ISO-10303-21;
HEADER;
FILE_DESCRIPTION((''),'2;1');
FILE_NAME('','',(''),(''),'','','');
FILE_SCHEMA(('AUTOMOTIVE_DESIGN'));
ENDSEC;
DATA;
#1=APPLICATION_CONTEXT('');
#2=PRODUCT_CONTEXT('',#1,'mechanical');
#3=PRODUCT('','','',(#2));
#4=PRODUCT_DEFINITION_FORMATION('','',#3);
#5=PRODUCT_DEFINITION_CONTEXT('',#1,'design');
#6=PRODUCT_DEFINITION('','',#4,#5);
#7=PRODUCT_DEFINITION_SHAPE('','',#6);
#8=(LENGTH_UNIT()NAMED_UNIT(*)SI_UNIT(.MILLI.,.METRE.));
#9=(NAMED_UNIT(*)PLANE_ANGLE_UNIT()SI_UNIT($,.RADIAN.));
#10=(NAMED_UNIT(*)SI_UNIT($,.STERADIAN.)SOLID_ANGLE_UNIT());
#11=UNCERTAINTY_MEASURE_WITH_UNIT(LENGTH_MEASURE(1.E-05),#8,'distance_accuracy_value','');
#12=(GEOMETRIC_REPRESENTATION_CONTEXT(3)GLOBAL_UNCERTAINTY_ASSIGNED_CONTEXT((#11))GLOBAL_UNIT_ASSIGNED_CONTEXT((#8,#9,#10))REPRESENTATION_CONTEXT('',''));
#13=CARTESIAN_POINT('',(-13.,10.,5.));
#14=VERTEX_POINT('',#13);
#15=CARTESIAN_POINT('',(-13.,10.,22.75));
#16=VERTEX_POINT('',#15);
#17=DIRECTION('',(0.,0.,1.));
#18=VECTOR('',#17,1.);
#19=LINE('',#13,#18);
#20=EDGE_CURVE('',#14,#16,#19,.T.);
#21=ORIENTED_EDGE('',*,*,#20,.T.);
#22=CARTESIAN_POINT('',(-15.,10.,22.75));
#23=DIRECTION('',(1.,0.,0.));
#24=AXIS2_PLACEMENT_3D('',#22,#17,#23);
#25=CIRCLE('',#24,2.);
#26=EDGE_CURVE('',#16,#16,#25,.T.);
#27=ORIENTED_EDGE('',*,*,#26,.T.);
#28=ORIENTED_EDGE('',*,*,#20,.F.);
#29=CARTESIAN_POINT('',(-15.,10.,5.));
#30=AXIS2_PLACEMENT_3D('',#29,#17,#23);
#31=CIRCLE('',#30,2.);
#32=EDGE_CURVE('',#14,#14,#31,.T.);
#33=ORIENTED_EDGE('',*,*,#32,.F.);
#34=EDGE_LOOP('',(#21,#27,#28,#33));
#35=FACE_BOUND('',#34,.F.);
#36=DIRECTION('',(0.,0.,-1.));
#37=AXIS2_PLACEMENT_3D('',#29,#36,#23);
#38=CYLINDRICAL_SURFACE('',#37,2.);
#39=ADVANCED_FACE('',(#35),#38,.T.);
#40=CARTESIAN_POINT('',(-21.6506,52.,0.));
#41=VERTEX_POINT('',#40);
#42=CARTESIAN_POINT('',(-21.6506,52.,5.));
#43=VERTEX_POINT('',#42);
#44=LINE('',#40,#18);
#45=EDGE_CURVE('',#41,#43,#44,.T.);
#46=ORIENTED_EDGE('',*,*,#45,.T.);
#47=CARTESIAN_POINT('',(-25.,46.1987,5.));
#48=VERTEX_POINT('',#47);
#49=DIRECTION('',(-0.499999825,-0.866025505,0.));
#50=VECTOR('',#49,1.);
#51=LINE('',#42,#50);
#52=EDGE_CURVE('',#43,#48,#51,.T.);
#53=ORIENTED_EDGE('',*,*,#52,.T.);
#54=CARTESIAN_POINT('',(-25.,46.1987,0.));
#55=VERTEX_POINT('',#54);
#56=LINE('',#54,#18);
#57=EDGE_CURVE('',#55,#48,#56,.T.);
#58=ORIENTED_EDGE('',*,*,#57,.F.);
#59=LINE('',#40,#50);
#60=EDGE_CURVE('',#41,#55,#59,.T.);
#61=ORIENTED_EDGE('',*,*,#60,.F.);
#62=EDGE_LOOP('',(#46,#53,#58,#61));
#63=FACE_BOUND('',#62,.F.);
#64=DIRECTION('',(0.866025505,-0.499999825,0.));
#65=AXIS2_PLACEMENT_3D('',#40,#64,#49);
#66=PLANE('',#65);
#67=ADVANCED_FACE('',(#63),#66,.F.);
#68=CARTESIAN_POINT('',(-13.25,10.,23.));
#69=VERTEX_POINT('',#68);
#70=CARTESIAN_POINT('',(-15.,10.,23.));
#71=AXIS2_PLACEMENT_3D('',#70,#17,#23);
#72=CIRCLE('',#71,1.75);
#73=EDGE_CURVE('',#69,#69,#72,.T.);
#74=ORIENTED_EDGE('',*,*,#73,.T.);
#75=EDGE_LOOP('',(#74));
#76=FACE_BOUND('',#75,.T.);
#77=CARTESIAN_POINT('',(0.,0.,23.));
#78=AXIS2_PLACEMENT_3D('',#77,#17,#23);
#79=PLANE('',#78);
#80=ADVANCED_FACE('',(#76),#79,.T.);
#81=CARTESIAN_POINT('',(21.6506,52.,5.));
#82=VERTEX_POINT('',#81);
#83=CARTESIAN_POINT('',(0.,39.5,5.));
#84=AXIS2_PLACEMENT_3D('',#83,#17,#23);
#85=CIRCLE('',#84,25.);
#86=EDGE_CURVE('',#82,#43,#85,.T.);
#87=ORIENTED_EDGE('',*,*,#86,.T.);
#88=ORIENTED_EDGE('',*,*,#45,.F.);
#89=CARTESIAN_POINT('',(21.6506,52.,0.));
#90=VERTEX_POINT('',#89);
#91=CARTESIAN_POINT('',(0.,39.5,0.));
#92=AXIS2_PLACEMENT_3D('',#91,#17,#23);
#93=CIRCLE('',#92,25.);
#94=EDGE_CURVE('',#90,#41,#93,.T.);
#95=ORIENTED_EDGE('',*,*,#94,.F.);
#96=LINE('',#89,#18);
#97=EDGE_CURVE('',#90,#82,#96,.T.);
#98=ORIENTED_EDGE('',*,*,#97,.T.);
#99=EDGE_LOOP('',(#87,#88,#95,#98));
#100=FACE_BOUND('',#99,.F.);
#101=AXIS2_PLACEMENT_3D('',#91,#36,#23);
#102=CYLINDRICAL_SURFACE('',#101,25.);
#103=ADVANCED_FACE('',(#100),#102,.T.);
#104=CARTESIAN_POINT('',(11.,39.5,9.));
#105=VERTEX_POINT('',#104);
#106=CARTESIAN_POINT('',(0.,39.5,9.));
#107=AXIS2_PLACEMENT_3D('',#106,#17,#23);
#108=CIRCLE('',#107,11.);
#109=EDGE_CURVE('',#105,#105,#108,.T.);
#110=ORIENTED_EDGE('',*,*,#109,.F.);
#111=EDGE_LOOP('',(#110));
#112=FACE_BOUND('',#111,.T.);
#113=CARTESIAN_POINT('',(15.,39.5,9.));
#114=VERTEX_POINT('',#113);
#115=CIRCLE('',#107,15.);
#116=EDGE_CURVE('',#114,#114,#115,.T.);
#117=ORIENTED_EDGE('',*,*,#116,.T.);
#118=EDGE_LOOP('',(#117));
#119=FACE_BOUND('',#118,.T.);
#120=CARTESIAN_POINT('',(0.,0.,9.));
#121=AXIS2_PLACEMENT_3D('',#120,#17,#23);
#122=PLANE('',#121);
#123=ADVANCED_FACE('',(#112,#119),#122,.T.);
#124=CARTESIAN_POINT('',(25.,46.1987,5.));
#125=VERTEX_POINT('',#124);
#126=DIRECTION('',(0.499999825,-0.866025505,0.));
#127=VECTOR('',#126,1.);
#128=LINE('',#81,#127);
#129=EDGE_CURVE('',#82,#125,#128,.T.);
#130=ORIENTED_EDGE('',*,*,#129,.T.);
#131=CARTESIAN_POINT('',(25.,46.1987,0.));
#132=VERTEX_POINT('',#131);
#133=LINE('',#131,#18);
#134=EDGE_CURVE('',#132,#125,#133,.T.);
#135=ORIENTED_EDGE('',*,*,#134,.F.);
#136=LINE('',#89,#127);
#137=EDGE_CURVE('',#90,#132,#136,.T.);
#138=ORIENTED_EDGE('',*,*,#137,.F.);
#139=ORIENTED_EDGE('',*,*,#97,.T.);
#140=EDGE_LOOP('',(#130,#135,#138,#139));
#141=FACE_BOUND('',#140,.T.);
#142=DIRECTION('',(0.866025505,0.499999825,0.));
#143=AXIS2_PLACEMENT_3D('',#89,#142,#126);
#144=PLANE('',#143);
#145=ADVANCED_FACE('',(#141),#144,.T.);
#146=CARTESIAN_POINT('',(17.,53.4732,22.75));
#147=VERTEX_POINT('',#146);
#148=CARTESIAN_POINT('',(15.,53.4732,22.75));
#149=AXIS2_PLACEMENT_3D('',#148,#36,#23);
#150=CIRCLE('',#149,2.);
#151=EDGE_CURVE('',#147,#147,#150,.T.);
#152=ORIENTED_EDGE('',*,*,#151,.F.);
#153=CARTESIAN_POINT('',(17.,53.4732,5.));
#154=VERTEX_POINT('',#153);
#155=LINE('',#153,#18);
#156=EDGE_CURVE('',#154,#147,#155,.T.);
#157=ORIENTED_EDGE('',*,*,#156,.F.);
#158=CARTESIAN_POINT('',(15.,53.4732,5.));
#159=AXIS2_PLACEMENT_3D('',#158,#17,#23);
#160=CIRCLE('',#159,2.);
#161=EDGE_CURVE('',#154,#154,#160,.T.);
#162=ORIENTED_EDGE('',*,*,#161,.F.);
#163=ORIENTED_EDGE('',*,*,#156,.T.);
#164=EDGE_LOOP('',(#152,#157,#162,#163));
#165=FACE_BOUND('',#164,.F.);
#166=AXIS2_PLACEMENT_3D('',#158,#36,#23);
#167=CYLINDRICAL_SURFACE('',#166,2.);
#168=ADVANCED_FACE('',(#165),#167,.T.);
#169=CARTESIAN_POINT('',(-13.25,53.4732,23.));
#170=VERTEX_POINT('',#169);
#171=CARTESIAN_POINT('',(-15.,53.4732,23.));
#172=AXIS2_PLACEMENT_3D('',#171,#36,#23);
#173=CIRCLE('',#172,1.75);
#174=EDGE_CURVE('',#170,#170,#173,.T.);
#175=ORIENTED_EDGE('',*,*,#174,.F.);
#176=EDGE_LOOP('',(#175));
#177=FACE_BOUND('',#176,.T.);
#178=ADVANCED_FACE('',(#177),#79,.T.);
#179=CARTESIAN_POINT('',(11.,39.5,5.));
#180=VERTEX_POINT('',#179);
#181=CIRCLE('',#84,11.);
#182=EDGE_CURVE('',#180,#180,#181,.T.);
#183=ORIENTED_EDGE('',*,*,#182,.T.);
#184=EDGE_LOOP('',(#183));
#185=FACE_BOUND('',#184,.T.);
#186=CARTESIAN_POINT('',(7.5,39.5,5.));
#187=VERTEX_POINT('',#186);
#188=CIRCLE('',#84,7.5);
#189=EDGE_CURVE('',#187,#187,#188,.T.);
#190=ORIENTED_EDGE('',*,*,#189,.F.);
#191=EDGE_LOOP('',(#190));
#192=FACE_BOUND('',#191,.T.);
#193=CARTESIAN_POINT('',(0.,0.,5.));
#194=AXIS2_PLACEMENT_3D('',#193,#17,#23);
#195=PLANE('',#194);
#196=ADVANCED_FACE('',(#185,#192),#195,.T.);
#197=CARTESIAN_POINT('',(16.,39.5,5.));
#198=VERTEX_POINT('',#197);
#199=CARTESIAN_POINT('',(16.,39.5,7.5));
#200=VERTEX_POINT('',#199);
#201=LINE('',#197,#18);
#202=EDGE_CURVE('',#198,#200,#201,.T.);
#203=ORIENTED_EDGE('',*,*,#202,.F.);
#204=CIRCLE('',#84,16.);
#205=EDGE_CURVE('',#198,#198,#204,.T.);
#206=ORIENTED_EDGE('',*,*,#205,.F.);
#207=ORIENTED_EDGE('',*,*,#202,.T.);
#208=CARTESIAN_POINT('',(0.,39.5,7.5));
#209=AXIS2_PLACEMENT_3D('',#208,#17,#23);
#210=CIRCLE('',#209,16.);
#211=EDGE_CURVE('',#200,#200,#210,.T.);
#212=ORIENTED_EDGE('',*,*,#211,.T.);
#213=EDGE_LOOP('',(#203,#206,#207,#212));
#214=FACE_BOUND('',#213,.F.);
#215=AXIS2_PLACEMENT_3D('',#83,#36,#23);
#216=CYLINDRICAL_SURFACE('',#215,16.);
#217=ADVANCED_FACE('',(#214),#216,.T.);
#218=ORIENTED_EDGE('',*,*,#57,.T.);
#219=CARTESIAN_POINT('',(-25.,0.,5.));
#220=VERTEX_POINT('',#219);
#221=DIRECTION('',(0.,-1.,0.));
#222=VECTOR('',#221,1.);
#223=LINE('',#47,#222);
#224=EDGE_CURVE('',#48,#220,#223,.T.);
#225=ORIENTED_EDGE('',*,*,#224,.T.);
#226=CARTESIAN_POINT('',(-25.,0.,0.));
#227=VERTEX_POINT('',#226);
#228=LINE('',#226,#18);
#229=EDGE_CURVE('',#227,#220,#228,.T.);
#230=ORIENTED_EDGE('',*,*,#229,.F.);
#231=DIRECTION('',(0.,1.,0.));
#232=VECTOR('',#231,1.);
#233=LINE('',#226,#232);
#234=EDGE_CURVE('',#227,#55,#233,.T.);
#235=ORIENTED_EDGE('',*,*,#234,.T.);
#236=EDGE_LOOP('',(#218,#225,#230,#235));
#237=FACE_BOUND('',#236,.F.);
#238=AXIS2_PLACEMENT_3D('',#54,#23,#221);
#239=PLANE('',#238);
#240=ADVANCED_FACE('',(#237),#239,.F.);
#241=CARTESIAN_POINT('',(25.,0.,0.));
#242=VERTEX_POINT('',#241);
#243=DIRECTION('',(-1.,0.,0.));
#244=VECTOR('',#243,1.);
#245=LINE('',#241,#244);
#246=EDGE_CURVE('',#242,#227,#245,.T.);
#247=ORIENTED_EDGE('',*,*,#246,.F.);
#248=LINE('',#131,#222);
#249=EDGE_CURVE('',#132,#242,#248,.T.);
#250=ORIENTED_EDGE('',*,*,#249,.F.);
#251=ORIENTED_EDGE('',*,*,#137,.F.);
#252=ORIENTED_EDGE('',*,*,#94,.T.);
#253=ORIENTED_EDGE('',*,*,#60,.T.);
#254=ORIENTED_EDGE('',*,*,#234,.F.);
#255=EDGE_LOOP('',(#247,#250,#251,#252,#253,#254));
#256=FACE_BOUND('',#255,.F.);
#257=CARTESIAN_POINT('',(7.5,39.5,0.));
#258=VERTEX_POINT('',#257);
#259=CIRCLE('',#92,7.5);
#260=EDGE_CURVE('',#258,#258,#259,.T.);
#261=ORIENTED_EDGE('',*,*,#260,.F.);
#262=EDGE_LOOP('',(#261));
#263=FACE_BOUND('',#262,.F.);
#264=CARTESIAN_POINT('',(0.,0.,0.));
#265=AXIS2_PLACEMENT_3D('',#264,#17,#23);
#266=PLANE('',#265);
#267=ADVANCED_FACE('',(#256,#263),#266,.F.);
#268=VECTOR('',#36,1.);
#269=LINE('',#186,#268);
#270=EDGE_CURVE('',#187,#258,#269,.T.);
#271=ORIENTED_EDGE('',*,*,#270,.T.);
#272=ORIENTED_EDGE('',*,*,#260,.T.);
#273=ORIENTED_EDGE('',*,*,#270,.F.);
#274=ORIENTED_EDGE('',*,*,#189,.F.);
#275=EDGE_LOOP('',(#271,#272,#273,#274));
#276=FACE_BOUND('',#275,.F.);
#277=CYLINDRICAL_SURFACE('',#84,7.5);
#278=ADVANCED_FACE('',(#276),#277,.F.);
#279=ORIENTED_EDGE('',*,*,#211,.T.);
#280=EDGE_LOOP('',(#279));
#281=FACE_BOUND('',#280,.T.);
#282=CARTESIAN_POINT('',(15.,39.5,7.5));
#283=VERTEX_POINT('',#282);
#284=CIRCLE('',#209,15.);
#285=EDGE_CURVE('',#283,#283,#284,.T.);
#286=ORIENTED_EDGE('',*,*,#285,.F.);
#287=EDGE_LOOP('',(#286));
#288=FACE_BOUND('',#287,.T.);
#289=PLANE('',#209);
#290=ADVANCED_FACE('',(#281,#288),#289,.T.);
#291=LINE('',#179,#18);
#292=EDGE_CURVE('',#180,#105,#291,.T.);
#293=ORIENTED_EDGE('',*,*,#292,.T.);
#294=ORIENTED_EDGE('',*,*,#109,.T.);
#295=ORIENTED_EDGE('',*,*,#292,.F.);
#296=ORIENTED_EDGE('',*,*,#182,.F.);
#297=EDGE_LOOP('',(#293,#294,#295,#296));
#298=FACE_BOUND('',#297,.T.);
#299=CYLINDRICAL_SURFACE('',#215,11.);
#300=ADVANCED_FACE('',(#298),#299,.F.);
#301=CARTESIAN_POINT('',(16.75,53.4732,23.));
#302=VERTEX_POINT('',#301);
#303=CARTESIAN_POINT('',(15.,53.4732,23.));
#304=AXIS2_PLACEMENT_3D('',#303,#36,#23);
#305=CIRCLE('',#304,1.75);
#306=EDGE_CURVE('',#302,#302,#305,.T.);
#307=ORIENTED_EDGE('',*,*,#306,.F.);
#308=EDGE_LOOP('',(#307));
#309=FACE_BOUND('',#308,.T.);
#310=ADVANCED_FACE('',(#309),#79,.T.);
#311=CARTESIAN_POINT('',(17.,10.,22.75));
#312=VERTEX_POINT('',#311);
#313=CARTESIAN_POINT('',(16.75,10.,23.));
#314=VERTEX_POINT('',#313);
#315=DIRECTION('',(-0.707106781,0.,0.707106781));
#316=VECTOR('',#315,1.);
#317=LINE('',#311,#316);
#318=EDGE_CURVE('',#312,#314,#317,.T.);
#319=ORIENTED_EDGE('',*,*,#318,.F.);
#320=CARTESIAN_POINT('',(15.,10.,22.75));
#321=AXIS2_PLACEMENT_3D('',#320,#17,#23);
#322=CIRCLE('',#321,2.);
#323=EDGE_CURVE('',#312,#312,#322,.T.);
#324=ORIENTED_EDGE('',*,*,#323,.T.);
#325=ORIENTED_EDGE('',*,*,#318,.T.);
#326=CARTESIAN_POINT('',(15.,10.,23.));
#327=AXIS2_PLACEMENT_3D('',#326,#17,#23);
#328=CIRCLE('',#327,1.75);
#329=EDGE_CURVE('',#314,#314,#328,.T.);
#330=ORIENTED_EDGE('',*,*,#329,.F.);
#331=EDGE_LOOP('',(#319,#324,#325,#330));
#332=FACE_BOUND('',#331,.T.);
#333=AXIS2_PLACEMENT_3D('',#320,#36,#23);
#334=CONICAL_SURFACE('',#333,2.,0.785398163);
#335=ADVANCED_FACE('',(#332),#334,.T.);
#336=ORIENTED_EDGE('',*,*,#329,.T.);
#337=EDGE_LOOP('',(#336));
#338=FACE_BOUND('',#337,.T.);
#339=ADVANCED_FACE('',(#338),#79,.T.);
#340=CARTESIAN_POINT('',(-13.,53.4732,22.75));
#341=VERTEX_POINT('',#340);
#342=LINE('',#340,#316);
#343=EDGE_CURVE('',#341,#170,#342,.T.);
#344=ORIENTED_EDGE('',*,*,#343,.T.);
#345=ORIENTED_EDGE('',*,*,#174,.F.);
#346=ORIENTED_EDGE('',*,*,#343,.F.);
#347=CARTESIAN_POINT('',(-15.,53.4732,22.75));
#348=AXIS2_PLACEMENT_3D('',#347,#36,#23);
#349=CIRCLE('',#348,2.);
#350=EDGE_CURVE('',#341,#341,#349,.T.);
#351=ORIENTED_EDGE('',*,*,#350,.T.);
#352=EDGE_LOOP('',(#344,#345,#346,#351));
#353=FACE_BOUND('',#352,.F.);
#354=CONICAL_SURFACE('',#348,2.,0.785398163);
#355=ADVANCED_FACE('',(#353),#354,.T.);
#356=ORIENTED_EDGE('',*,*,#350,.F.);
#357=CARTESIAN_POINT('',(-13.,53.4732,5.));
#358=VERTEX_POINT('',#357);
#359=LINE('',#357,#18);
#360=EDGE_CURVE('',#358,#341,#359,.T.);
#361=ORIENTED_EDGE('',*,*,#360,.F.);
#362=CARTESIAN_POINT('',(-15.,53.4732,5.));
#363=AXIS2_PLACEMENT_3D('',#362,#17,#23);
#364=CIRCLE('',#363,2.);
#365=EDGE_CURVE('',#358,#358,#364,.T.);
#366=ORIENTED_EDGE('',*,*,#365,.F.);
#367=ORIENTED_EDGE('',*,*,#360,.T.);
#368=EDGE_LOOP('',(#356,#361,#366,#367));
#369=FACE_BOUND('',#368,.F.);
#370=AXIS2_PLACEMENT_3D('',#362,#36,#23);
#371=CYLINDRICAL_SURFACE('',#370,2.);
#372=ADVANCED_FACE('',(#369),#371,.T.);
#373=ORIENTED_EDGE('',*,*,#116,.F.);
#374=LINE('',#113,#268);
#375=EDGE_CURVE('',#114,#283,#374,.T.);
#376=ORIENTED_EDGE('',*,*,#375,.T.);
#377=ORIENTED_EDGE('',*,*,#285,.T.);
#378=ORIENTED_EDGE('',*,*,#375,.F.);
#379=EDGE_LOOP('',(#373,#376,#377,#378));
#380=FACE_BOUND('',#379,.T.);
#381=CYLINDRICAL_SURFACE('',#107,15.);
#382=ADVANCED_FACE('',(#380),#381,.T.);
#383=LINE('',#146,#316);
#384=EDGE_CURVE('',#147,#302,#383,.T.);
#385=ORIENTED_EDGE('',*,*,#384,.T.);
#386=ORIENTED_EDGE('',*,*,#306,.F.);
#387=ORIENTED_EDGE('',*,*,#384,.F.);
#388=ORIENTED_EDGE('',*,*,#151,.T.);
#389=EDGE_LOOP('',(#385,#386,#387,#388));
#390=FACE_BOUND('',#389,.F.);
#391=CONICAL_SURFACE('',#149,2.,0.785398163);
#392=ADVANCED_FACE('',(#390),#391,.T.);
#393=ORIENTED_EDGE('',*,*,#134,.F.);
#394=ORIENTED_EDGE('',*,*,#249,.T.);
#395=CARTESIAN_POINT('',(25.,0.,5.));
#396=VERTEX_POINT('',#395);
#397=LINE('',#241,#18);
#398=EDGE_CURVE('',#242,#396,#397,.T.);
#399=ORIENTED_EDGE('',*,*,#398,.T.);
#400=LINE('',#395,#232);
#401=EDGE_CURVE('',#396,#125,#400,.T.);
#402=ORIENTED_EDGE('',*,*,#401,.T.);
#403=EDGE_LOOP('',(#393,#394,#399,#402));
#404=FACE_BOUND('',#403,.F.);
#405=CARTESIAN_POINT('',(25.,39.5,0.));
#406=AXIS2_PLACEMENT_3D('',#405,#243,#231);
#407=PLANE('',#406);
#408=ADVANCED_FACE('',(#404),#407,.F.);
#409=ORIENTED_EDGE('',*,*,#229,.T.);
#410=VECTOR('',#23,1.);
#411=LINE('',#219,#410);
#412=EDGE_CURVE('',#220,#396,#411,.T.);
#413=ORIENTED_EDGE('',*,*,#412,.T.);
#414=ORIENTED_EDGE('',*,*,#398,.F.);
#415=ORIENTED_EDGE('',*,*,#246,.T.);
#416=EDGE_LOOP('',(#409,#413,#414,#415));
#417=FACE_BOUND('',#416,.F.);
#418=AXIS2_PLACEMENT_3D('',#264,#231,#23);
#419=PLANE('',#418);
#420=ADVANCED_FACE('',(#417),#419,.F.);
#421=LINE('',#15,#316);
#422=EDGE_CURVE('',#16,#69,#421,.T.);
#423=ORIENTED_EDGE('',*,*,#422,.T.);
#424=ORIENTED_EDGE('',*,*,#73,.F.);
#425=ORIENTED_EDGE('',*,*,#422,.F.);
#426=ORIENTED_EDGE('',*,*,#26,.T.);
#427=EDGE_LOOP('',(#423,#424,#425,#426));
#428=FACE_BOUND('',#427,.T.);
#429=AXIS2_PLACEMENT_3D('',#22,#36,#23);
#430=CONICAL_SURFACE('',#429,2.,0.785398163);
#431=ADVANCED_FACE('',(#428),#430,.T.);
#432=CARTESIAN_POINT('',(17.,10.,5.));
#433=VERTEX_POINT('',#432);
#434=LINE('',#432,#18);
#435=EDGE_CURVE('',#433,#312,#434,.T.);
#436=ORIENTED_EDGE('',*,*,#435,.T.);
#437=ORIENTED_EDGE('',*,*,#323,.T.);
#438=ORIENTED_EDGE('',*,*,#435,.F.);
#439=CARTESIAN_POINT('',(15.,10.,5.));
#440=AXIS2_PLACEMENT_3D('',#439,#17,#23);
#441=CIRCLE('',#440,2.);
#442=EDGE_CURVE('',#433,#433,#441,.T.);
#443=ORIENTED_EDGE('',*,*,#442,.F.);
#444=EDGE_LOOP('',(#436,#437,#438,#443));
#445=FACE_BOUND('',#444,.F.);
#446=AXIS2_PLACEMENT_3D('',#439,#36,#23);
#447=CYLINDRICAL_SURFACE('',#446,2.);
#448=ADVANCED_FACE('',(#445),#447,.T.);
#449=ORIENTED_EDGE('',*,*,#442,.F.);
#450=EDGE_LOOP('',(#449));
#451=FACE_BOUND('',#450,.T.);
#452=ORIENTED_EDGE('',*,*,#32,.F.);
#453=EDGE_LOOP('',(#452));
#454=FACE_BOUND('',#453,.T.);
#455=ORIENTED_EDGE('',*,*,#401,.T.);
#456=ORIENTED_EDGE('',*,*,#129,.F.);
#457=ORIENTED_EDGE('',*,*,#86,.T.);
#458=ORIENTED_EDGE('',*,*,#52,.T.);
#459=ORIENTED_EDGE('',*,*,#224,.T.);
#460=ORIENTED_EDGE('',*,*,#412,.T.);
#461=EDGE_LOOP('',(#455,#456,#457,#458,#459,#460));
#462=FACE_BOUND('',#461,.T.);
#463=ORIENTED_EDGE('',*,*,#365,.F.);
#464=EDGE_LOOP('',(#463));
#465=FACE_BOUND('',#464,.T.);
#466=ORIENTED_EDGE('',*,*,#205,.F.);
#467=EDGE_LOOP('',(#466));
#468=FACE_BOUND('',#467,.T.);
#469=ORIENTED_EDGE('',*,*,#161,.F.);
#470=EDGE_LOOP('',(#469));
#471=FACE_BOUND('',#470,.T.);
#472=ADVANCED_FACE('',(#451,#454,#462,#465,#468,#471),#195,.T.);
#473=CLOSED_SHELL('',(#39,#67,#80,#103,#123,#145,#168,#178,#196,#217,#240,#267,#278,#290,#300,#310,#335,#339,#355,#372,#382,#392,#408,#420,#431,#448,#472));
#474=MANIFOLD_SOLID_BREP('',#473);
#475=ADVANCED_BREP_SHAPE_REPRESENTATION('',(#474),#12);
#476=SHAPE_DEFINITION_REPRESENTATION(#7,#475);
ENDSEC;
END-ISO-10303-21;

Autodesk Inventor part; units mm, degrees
ref_plane "YZ Plane" through (0, 0, 0) normal (1, 0, 0) x (0, 1, 0)
ref_plane "XZ Plane" through (0, 0, 0) normal (0, 1, 0) x (-1, 0, 0)
ref_plane "XY Plane" through (0, 0, 0) normal (0, 0, 1) x (1, 0, 0)
sketch "草图1" plane through (0, 0, 0) normal (0, 0, 1) x (1, 0, 0)
  circle A0 centre (0, 39.5) radius 25
  line L0 (-25, 46.1987) -> (-25, 0)
  line L1 (-25, 0) -> (25, 0)
  line L2 (25, 0) -> (25, 46.1987)
  line L3 (-21.6506, 52) -> (-51.6728, 0)
  line L4 (21.6506, 52) -> (51.6728, 0)
  line L5 (0, 0) -> (0, -13.7014)
  dimension "d0" = 50
  dimension "d1" = 39.5
  dimension "d2" = 13.7014
  dimension "d3" = 60
extrude "拉伸1" add sketch "草图1" along normal blind 5
sketch "草图2" plane through (0, 0, 5) normal (0, 0, 1) x (1, 0, 0)
  circle A0 centre (0, 39.5) radius 16
  circle A1 centre (0, 39.5) radius 11
  arc A2 (21.6506, 52) -> (-21.6506, 52) centre (0, 39.5) ccw projected
  point P0 (0, 0)
  dimension "d6" = 32
  dimension "d7" = 22
extrude "拉伸2" add sketch "草图2" along normal blind 4
sketch "草图3" plane through (0, 39.5, 9) normal (0, 0, 1) x (1, 0, 0)
  circle A0 centre (0, 0) radius 16
  circle A1 centre (0, 0) radius 15
  circle A2 centre (0, 0) radius 11 projected
  point P0 (0, -39.5)
  dimension "d10" = 32
  dimension "d11" = 30
extrude "拉伸3" cut sketch "草图3" against normal blind 1.5 contours A0
sketch "草图4" plane through (0, 39.5, 5) normal (0, 0, 1) x (1, 0, 0)
  circle A0 centre (0, 0) radius 7.5
  circle A1 centre (0, 0) radius 11 projected
  point P0 (0, -39.5)
  dimension "d14" = 15
extrude "拉伸4" cut sketch "草图4" against normal through all contours A0
sketch "草图5" plane through (0, 0, 5) normal (0, 0, 1) x (1, 0, 0)
  circle A0 centre (15, 10) radius 2
  circle A1 centre (-15, 10) radius 2
  circle A2 centre (15, 53.4732) radius 2
  circle A3 centre (-15, 53.4732) radius 2
  line L0 (25, 0) -> (25, 46.1987) projected
  line L1 (-25, 0) -> (25, 0) projected
  line L2 (-25, 46.1987) -> (-25, 0) projected
  arc A4 (15, 53.4732) -> (-15, 53.4732) centre (0, 39.5) ccw
  circle A5 centre (0, 39.5) radius 7.5 projected
  point P0 (0, 0)
  dimension "d17" = 4
  dimension "d18" = 4
  dimension "d19" = 4
  dimension "d20" = 4
  dimension "d21" = 10
  dimension "d22" = 10
  dimension "d23" = 10
  dimension "d24" = 10
  dimension "d25" = 20.5
  dimension "d26" = 10
  dimension "d27" = 10
extrude "拉伸5" add sketch "草图5" along normal blind 18 contours A0 | A1 | A2 | A3
thread "螺纹1" size "M4x0.7" class "6g" standard "ANSI Metric M Profile" length 6
thread "螺纹2" size "M4x0.7" class "6g" standard "ANSI Metric M Profile" length 6
thread "螺纹3" size "M4x0.7" class "6g" standard "ANSI Metric M Profile" length 6
thread "螺纹4" size "M4x0.7" class "6g" standard "ANSI Metric M Profile" length 6
chamfer "倒角1" distance 0.25 angle 45 4 edges at (-17, 53.4732, 23) (13, 53.4732, 23) (13, 10, 23) (-17, 10, 23)
properties part number "刀轴端盖"
